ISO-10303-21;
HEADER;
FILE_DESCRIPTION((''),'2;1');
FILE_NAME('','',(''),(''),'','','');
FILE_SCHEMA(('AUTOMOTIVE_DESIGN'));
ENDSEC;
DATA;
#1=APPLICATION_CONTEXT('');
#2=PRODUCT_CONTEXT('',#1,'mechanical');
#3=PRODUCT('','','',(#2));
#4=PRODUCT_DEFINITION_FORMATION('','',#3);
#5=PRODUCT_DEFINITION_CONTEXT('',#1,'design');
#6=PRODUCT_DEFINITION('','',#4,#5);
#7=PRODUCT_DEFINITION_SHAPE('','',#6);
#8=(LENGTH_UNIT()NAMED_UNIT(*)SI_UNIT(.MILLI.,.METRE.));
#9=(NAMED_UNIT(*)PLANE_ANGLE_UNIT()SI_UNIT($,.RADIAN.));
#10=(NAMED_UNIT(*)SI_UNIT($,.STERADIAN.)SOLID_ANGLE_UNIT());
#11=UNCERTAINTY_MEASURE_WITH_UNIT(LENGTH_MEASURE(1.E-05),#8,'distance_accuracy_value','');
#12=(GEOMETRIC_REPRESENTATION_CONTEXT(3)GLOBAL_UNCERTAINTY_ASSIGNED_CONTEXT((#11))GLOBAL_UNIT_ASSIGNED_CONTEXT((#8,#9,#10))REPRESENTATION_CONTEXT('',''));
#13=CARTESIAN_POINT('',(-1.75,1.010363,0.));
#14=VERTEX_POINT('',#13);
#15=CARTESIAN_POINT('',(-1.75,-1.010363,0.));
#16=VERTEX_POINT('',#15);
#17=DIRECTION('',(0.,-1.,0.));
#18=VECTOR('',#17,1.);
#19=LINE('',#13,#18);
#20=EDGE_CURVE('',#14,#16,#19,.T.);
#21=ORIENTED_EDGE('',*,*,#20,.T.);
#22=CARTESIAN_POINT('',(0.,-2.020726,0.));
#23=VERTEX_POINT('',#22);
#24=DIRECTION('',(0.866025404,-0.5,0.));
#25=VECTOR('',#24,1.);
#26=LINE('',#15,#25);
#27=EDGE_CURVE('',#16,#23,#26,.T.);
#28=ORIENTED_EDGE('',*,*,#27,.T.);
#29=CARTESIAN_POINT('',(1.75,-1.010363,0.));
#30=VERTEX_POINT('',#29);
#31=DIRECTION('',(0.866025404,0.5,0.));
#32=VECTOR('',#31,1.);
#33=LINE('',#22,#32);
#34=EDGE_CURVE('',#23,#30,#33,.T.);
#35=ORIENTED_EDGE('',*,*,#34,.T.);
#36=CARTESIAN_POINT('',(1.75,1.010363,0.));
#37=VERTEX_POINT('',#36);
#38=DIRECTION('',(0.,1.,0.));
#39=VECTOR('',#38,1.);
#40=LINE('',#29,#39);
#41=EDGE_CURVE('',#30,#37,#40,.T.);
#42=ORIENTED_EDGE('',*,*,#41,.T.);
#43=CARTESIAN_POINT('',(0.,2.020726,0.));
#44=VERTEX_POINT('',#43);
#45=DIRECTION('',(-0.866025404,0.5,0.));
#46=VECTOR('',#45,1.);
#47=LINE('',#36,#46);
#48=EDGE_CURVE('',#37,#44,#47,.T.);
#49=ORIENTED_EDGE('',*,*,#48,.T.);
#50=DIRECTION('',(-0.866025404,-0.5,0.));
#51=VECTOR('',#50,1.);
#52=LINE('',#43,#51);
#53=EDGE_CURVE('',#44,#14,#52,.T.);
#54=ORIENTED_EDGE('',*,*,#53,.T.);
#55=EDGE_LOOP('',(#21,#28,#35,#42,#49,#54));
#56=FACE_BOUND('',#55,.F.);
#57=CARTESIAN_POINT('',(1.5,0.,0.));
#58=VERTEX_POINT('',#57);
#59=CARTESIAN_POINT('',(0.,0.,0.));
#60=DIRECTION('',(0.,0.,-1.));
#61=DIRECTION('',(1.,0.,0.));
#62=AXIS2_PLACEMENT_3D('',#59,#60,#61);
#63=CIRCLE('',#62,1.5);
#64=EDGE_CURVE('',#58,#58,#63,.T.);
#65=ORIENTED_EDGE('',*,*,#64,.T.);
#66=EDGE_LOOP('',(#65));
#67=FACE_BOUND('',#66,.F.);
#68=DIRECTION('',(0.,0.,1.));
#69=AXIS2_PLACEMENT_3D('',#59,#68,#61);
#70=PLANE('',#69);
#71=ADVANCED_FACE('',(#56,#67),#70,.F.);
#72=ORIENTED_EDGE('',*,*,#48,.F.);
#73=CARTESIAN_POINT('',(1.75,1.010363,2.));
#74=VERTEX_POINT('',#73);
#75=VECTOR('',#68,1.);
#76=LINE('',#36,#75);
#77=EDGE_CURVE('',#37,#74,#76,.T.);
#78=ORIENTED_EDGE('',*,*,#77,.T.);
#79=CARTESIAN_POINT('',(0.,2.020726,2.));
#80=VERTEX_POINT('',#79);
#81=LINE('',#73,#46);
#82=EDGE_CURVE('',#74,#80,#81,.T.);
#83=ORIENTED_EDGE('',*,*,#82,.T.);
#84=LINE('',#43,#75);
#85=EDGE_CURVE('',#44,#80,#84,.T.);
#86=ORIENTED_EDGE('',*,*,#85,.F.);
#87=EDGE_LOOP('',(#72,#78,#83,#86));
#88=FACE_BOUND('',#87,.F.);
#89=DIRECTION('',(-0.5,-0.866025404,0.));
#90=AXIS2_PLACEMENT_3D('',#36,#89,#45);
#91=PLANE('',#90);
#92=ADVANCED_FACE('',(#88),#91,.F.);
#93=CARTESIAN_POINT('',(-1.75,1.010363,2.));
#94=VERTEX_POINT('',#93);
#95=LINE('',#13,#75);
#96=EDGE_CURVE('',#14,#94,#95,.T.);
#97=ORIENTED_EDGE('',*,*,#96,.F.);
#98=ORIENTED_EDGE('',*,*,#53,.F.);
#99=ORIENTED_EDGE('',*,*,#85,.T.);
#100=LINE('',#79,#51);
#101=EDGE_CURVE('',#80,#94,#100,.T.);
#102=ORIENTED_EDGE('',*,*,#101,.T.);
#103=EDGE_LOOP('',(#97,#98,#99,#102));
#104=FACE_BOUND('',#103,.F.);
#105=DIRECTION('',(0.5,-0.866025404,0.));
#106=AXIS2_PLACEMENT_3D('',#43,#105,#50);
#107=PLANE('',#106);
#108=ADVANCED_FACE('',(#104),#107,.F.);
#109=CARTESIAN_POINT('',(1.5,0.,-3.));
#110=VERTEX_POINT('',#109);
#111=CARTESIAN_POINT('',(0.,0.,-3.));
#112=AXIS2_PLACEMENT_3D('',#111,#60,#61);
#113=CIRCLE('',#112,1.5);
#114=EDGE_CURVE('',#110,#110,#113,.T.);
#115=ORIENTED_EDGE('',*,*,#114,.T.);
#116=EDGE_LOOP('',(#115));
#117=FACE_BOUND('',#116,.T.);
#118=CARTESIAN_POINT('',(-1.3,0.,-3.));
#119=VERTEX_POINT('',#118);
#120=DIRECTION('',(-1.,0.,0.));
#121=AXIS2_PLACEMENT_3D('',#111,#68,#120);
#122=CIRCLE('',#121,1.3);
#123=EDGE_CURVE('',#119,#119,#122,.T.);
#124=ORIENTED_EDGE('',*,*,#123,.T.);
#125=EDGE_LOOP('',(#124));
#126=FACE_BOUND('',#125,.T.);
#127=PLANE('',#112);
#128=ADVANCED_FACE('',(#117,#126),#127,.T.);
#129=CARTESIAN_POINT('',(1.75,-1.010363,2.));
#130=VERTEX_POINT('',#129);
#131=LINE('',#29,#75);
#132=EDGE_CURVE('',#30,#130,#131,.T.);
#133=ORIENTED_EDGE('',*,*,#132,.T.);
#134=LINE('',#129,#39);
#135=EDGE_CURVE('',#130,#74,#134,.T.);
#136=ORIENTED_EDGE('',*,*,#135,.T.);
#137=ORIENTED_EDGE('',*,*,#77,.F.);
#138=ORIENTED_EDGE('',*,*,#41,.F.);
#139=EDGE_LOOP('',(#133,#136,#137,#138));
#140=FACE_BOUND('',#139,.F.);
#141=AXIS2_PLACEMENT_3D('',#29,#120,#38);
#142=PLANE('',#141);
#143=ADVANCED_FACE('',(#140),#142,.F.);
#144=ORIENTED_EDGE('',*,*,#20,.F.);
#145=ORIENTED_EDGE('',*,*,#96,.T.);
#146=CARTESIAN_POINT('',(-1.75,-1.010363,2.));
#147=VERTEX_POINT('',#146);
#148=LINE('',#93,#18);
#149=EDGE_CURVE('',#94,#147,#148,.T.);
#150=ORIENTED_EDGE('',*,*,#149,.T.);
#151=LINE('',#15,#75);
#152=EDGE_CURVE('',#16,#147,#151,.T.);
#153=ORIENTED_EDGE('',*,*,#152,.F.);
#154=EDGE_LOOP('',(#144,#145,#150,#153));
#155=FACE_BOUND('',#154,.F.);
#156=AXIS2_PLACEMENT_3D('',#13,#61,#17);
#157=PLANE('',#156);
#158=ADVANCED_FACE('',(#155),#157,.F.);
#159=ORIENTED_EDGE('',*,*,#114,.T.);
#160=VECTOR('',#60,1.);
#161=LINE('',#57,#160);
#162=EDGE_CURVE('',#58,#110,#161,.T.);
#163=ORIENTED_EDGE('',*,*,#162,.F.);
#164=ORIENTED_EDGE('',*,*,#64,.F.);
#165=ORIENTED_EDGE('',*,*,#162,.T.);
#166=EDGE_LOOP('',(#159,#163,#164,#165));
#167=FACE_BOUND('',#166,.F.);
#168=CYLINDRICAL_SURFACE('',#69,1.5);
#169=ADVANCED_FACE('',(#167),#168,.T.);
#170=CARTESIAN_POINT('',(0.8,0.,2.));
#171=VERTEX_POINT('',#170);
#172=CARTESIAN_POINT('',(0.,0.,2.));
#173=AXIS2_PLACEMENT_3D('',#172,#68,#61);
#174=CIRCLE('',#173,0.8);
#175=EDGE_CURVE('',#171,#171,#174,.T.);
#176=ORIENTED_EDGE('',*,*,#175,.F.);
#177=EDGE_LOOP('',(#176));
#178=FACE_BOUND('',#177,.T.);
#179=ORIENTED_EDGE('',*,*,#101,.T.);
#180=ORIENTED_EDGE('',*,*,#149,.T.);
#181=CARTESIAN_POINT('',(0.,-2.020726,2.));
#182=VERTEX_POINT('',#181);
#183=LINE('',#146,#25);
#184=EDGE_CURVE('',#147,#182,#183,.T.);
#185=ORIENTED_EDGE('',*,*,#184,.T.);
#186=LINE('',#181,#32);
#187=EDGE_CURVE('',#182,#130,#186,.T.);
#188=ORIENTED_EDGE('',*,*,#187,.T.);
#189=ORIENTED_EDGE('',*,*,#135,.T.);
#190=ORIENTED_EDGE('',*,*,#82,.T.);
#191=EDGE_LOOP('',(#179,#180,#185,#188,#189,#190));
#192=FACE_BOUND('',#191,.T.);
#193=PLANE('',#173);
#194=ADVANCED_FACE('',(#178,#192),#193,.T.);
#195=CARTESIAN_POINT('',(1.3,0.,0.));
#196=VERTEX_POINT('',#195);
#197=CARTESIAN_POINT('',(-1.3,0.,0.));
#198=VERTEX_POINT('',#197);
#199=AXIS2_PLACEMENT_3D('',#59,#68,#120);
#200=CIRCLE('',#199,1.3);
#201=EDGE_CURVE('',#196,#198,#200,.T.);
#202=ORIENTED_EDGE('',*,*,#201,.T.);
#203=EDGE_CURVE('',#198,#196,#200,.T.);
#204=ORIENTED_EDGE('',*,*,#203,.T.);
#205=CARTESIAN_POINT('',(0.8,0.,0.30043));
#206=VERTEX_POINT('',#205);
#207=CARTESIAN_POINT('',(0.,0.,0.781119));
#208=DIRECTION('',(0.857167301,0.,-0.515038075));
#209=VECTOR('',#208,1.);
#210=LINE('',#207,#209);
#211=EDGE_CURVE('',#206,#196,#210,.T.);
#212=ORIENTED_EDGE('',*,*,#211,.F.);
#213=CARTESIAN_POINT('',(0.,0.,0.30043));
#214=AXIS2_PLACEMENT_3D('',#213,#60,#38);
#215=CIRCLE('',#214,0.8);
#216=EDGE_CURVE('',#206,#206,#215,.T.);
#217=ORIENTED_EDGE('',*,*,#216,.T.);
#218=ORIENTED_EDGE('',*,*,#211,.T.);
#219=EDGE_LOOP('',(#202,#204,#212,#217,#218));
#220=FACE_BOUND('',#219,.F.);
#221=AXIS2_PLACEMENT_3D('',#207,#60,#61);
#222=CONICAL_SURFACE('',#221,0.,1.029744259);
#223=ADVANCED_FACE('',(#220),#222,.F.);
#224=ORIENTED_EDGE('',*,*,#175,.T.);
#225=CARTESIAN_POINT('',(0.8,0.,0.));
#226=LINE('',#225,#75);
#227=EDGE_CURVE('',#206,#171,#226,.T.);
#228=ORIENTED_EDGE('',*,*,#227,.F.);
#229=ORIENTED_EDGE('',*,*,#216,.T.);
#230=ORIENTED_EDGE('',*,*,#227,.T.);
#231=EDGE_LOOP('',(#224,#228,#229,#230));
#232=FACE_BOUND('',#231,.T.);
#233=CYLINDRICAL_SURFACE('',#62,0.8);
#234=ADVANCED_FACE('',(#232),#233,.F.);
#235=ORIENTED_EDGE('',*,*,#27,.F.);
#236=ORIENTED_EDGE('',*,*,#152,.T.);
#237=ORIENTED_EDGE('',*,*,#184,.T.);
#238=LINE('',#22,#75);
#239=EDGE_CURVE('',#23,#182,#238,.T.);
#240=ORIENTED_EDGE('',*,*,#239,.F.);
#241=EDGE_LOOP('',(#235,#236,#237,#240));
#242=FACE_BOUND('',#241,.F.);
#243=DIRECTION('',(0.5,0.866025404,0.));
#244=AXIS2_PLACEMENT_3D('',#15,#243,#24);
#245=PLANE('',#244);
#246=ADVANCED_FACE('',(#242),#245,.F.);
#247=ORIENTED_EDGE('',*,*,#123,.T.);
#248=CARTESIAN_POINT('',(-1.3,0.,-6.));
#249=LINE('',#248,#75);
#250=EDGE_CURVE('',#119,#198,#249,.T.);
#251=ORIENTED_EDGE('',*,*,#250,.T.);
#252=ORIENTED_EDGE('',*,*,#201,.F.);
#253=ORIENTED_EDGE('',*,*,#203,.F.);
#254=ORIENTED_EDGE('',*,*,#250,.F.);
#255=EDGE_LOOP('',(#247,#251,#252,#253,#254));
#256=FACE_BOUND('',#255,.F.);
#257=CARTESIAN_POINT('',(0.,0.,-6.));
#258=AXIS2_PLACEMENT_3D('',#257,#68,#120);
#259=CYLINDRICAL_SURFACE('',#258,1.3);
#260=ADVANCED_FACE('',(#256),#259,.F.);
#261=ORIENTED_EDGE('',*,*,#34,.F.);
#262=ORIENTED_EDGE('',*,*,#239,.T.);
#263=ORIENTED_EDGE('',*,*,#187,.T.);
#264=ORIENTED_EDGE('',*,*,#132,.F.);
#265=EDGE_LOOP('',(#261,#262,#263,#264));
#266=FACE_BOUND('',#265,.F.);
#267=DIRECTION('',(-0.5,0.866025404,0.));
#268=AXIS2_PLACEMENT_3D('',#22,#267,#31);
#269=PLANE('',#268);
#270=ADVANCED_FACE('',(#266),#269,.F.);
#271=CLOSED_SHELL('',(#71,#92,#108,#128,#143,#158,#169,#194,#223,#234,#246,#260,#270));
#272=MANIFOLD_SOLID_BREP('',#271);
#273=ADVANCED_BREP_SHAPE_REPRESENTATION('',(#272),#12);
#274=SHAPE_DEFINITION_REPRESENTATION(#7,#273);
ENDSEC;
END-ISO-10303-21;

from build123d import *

# Parameters (mm, degrees)
F0_R     = 0.8
F1_DEPTH = 2
F2_R     = 1.5
F3_DEPTH = 3
F5_D     = 2.6
F5_DEPTH = 3
F5_TIP   = 0.7811188047


with BuildPart() as f1:
    # F0 (on Top) → F1 (new body)
    with BuildSketch(Plane.XY):
        Polygon((1.75, -1.0103629711), (1.75, 1.0103629711), (0, 2.0207259422), (-1.75, 1.0103629711), (-1.75, -1.0103629711), (0, -2.0207259422), align=None)
        Circle(F0_R, mode=Mode.SUBTRACT)
    extrude(amount=F1_DEPTH)

    # F2 (on face) → F3 (join)
    with BuildSketch(Plane(origin=(0, 0, 0), x_dir=(1, 0, 0), z_dir=(0, 0, -1))):
        Circle(F2_R)
    extrude(amount=F3_DEPTH)

    # F5
    with Locations(Plane(origin=(0, 0, -3), x_dir=(1, 0, 0), z_dir=(0, 0, -1))):
        with Locations((0, 0)):
            Hole(F5_D / 2, depth=F5_DEPTH)
            with Locations((0, 0, -(F5_DEPTH + F5_TIP / 2))):  # 118° drill point
                Cone(0, F5_D / 2, F5_TIP, mode=Mode.SUBTRACT)


solid = f1.part
